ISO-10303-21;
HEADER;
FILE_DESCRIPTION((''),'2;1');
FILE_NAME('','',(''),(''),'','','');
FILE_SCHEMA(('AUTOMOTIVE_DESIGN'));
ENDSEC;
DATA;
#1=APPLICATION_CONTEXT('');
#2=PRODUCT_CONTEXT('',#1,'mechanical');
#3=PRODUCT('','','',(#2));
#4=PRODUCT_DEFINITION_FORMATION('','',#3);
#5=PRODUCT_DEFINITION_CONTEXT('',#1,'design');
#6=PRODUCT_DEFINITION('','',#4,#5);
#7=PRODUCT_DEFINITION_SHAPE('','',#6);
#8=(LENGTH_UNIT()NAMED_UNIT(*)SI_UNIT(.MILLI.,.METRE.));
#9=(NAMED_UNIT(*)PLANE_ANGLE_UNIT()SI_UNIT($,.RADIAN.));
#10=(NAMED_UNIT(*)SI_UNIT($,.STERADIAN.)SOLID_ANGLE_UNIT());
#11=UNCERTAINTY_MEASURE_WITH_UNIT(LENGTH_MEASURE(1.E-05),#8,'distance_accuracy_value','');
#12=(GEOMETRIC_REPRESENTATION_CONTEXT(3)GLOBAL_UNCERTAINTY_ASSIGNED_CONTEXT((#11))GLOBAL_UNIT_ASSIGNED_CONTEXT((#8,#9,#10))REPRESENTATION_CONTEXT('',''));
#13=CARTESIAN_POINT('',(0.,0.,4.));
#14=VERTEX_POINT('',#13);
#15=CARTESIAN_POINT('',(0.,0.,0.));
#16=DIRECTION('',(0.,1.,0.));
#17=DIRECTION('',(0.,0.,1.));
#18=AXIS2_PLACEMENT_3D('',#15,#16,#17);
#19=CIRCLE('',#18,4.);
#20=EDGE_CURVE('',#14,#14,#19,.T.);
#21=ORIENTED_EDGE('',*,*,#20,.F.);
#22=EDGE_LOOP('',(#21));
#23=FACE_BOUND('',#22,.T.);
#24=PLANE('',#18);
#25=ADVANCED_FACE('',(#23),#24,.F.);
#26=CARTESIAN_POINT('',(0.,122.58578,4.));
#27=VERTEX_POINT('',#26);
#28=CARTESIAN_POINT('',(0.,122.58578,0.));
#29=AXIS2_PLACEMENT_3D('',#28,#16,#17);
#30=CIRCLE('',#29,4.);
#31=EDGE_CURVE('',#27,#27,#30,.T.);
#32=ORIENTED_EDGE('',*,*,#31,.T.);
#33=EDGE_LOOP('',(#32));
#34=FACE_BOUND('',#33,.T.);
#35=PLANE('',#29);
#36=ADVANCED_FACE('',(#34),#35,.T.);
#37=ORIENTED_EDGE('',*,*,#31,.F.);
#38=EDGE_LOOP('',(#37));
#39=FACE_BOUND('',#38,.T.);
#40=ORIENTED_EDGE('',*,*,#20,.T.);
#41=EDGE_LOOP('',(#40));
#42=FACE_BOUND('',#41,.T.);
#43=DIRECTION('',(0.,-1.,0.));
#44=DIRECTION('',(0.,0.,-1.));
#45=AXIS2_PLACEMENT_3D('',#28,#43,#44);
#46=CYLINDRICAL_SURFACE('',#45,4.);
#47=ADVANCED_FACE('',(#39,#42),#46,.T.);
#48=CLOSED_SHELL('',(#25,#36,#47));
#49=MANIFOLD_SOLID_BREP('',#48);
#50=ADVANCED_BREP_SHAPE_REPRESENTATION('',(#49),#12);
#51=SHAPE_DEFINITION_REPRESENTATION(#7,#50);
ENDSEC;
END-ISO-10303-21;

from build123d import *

# Parameters (mm, degrees)
PROFILE_SKETCH_R    = 4
BOSS_EXTRUDE1_DEPTH = 122.585779974


with BuildPart() as part:
    # Profile Sketch → Boss-Extrude1 (new body)
    with BuildSketch(Plane(origin=(0, 0, 0), x_dir=(1, 0, 0), z_dir=(0, 1, 0))):
        Circle(PROFILE_SKETCH_R)
    extrude(amount=BOSS_EXTRUDE1_DEPTH)


solid = part.part
